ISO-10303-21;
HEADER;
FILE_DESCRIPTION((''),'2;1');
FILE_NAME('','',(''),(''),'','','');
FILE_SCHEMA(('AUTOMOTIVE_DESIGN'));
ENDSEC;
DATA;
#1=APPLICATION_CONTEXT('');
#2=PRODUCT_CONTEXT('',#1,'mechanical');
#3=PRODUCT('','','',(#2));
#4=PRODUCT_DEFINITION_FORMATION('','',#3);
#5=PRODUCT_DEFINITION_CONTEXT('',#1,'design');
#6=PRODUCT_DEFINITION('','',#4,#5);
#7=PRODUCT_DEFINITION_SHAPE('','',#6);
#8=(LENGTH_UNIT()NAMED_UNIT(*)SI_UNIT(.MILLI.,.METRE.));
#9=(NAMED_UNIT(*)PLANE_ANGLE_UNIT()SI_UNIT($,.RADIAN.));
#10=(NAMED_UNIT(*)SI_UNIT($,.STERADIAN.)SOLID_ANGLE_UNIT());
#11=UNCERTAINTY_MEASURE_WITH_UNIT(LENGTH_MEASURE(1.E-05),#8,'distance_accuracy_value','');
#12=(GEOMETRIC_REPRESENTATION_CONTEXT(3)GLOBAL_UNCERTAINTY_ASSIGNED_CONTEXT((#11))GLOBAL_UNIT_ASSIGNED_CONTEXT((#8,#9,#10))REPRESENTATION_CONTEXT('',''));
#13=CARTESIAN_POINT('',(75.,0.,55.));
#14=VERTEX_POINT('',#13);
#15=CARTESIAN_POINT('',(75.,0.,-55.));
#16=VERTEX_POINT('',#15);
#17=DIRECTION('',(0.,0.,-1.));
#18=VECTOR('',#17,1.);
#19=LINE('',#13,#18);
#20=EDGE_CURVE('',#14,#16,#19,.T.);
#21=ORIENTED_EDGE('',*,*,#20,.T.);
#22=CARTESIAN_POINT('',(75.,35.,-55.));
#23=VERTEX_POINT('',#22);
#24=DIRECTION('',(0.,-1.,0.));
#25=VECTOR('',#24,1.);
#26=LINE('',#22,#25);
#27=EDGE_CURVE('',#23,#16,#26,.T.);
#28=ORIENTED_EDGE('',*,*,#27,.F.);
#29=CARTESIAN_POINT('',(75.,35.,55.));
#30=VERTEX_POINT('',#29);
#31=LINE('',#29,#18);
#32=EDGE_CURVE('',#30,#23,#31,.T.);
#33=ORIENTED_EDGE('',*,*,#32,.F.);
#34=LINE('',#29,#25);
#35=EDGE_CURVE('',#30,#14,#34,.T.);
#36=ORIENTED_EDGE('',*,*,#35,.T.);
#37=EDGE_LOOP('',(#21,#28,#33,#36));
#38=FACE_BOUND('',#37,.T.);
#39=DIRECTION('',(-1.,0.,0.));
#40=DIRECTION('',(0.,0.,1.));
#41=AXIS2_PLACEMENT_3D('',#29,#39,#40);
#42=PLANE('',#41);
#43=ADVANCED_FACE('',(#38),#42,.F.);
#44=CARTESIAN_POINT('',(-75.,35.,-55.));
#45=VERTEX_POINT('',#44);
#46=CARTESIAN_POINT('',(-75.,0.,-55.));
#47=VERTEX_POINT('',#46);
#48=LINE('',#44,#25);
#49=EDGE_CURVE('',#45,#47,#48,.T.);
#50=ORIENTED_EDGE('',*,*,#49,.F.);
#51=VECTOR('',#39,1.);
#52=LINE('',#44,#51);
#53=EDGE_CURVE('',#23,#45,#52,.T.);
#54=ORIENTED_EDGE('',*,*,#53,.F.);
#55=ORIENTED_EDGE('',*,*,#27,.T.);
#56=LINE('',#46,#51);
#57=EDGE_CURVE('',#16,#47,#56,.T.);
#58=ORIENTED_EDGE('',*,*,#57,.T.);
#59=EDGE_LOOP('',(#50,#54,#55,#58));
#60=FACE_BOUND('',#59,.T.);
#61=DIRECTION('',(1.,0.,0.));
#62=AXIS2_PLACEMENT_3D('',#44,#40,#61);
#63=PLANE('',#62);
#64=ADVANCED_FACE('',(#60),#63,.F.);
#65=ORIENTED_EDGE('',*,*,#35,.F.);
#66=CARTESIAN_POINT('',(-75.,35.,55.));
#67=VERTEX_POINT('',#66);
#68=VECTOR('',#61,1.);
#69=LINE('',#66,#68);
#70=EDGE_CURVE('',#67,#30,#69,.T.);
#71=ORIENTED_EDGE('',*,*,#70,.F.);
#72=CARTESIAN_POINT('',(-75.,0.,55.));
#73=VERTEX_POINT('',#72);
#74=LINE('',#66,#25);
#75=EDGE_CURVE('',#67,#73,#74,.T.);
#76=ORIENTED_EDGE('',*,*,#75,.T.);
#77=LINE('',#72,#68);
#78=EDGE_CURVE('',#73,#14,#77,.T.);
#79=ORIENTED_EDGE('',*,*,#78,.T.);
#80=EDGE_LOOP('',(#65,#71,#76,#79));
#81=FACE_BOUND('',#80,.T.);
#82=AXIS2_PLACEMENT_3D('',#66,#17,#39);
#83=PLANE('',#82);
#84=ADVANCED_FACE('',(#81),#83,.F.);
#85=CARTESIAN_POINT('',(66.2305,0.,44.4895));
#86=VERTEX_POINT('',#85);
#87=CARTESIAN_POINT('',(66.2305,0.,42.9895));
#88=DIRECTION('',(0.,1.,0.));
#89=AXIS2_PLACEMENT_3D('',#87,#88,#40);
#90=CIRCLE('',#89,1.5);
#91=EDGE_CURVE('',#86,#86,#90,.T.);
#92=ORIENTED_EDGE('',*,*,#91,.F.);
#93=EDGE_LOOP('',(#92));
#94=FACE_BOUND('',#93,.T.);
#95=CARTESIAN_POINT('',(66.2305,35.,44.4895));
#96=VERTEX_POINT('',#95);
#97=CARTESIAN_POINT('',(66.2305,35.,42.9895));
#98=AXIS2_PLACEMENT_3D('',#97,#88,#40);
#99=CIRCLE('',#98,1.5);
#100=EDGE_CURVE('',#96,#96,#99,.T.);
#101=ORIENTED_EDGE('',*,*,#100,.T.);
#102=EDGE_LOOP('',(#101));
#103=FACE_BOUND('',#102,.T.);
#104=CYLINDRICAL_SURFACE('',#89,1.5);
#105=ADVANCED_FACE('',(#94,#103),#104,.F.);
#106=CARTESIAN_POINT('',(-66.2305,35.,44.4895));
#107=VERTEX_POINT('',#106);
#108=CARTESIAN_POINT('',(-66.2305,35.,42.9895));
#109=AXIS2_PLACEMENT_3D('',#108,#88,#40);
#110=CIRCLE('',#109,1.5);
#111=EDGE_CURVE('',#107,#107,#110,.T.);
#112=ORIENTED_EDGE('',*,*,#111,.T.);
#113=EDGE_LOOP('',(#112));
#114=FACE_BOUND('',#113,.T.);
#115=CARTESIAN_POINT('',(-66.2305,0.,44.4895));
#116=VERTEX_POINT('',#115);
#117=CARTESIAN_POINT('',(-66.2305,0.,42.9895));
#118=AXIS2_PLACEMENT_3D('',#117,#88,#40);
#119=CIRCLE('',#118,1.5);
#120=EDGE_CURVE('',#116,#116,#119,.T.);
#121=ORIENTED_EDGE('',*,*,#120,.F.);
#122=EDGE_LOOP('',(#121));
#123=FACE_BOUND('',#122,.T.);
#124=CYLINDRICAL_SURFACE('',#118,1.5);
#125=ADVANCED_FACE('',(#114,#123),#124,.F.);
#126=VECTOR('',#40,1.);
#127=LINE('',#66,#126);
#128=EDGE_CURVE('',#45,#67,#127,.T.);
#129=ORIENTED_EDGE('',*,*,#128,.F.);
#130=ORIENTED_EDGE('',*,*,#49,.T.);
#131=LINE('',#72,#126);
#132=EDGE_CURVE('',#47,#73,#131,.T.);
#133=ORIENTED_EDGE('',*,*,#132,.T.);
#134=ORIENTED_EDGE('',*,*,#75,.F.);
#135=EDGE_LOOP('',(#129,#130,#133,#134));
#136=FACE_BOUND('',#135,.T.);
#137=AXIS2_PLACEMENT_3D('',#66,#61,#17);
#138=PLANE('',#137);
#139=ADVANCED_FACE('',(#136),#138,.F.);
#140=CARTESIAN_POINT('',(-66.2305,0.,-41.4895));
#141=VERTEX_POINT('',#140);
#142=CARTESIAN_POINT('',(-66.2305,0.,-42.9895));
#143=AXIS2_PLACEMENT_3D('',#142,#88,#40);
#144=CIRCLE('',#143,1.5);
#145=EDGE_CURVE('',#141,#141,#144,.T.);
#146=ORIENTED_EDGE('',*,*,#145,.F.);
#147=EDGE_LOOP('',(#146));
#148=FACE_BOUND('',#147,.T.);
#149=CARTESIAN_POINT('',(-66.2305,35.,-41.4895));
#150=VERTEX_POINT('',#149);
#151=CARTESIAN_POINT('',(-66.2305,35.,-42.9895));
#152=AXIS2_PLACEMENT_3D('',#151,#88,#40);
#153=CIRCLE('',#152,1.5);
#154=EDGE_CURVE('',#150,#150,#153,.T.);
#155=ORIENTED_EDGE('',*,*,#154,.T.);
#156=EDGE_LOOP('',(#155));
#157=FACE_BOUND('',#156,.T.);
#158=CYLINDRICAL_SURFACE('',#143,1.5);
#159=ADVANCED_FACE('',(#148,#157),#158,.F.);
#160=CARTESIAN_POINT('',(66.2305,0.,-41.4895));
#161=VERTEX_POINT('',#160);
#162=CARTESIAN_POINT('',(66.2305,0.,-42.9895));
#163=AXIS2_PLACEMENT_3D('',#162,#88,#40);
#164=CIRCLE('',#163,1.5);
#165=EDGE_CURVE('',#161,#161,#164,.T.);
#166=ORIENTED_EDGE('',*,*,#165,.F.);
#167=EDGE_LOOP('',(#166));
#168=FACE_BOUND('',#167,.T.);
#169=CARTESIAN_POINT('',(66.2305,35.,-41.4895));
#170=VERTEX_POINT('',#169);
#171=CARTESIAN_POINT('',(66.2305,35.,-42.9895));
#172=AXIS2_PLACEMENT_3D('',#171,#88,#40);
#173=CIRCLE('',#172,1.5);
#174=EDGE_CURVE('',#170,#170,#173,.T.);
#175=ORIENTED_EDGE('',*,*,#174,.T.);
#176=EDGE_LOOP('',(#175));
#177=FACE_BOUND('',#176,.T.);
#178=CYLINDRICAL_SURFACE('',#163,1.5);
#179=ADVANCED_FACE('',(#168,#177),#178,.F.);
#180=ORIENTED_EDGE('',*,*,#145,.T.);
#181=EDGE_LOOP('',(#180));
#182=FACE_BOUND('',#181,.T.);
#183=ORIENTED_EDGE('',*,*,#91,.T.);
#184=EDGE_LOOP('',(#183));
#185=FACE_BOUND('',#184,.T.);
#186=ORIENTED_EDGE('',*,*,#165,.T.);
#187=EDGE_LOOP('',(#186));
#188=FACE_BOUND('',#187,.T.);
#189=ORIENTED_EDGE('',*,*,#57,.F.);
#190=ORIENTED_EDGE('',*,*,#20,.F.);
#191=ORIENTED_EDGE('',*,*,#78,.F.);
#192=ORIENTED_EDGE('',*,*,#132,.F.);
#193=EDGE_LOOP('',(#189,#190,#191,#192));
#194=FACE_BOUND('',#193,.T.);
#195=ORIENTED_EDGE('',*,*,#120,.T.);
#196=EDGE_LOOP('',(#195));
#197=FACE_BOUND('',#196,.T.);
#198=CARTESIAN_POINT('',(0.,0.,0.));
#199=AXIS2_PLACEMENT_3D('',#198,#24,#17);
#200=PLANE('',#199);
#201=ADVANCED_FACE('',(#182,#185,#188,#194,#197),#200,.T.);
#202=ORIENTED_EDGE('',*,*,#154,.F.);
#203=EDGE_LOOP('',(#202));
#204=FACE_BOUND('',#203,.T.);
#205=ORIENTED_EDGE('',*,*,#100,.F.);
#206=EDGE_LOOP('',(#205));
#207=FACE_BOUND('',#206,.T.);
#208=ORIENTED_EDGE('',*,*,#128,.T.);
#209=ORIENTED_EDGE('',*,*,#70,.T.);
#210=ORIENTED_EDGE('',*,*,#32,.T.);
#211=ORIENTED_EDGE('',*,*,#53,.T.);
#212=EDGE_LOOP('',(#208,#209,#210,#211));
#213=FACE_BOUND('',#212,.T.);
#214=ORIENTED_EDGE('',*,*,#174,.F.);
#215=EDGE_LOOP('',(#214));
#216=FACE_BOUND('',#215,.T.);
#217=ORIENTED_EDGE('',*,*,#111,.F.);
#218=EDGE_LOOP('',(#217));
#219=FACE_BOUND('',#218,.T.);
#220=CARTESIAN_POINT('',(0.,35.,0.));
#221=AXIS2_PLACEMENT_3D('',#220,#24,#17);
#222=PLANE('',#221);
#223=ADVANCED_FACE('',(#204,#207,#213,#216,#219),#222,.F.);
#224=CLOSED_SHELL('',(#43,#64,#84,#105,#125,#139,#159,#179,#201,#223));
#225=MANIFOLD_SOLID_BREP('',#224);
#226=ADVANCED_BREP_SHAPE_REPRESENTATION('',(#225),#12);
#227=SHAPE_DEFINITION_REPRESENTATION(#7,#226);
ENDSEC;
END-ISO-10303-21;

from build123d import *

# Parameters (mm, degrees)
SKETCH_1_W          = 150
SKETCH_1_H          = 110
EXTRUDE_1_DEPTH     = 35
SKETCH_2_R          = 1.5
CUT_EXTRUDE_1_DEPTH = 100.373034572


with BuildPart() as part:
    # 草图1 → 凸台-拉伸1 (new body)
    with BuildSketch(Plane(origin=(0, 0, 0), x_dir=(1, 0, 0), z_dir=(0, 1, 0))):
        Rectangle(SKETCH_1_W, SKETCH_1_H)
    extrude(amount=EXTRUDE_1_DEPTH)

    # 草图2 → 切除-拉伸1 (cut, through all)
    with BuildSketch(Plane(origin=(0, 35, 0), x_dir=(1, 0, 0), z_dir=(0, 1, 0))):
        with Locations(Location((-66.2305, 42.9895, 0), (0, 0, 270))):
            Circle(SKETCH_2_R)
        with Locations(Location((-66.2305, -42.9895, 0), (0, 0, 270))):
            Circle(SKETCH_2_R)
        with Locations(Location((66.2305, -42.9895, 0), (0, 0, 270))):
            Circle(SKETCH_2_R)
        with Locations(Location((66.2305, 42.9895, 0), (0, 0, 270))):
            Circle(SKETCH_2_R)
    extrude(amount=-CUT_EXTRUDE_1_DEPTH, mode=Mode.SUBTRACT)


solid = part.part
